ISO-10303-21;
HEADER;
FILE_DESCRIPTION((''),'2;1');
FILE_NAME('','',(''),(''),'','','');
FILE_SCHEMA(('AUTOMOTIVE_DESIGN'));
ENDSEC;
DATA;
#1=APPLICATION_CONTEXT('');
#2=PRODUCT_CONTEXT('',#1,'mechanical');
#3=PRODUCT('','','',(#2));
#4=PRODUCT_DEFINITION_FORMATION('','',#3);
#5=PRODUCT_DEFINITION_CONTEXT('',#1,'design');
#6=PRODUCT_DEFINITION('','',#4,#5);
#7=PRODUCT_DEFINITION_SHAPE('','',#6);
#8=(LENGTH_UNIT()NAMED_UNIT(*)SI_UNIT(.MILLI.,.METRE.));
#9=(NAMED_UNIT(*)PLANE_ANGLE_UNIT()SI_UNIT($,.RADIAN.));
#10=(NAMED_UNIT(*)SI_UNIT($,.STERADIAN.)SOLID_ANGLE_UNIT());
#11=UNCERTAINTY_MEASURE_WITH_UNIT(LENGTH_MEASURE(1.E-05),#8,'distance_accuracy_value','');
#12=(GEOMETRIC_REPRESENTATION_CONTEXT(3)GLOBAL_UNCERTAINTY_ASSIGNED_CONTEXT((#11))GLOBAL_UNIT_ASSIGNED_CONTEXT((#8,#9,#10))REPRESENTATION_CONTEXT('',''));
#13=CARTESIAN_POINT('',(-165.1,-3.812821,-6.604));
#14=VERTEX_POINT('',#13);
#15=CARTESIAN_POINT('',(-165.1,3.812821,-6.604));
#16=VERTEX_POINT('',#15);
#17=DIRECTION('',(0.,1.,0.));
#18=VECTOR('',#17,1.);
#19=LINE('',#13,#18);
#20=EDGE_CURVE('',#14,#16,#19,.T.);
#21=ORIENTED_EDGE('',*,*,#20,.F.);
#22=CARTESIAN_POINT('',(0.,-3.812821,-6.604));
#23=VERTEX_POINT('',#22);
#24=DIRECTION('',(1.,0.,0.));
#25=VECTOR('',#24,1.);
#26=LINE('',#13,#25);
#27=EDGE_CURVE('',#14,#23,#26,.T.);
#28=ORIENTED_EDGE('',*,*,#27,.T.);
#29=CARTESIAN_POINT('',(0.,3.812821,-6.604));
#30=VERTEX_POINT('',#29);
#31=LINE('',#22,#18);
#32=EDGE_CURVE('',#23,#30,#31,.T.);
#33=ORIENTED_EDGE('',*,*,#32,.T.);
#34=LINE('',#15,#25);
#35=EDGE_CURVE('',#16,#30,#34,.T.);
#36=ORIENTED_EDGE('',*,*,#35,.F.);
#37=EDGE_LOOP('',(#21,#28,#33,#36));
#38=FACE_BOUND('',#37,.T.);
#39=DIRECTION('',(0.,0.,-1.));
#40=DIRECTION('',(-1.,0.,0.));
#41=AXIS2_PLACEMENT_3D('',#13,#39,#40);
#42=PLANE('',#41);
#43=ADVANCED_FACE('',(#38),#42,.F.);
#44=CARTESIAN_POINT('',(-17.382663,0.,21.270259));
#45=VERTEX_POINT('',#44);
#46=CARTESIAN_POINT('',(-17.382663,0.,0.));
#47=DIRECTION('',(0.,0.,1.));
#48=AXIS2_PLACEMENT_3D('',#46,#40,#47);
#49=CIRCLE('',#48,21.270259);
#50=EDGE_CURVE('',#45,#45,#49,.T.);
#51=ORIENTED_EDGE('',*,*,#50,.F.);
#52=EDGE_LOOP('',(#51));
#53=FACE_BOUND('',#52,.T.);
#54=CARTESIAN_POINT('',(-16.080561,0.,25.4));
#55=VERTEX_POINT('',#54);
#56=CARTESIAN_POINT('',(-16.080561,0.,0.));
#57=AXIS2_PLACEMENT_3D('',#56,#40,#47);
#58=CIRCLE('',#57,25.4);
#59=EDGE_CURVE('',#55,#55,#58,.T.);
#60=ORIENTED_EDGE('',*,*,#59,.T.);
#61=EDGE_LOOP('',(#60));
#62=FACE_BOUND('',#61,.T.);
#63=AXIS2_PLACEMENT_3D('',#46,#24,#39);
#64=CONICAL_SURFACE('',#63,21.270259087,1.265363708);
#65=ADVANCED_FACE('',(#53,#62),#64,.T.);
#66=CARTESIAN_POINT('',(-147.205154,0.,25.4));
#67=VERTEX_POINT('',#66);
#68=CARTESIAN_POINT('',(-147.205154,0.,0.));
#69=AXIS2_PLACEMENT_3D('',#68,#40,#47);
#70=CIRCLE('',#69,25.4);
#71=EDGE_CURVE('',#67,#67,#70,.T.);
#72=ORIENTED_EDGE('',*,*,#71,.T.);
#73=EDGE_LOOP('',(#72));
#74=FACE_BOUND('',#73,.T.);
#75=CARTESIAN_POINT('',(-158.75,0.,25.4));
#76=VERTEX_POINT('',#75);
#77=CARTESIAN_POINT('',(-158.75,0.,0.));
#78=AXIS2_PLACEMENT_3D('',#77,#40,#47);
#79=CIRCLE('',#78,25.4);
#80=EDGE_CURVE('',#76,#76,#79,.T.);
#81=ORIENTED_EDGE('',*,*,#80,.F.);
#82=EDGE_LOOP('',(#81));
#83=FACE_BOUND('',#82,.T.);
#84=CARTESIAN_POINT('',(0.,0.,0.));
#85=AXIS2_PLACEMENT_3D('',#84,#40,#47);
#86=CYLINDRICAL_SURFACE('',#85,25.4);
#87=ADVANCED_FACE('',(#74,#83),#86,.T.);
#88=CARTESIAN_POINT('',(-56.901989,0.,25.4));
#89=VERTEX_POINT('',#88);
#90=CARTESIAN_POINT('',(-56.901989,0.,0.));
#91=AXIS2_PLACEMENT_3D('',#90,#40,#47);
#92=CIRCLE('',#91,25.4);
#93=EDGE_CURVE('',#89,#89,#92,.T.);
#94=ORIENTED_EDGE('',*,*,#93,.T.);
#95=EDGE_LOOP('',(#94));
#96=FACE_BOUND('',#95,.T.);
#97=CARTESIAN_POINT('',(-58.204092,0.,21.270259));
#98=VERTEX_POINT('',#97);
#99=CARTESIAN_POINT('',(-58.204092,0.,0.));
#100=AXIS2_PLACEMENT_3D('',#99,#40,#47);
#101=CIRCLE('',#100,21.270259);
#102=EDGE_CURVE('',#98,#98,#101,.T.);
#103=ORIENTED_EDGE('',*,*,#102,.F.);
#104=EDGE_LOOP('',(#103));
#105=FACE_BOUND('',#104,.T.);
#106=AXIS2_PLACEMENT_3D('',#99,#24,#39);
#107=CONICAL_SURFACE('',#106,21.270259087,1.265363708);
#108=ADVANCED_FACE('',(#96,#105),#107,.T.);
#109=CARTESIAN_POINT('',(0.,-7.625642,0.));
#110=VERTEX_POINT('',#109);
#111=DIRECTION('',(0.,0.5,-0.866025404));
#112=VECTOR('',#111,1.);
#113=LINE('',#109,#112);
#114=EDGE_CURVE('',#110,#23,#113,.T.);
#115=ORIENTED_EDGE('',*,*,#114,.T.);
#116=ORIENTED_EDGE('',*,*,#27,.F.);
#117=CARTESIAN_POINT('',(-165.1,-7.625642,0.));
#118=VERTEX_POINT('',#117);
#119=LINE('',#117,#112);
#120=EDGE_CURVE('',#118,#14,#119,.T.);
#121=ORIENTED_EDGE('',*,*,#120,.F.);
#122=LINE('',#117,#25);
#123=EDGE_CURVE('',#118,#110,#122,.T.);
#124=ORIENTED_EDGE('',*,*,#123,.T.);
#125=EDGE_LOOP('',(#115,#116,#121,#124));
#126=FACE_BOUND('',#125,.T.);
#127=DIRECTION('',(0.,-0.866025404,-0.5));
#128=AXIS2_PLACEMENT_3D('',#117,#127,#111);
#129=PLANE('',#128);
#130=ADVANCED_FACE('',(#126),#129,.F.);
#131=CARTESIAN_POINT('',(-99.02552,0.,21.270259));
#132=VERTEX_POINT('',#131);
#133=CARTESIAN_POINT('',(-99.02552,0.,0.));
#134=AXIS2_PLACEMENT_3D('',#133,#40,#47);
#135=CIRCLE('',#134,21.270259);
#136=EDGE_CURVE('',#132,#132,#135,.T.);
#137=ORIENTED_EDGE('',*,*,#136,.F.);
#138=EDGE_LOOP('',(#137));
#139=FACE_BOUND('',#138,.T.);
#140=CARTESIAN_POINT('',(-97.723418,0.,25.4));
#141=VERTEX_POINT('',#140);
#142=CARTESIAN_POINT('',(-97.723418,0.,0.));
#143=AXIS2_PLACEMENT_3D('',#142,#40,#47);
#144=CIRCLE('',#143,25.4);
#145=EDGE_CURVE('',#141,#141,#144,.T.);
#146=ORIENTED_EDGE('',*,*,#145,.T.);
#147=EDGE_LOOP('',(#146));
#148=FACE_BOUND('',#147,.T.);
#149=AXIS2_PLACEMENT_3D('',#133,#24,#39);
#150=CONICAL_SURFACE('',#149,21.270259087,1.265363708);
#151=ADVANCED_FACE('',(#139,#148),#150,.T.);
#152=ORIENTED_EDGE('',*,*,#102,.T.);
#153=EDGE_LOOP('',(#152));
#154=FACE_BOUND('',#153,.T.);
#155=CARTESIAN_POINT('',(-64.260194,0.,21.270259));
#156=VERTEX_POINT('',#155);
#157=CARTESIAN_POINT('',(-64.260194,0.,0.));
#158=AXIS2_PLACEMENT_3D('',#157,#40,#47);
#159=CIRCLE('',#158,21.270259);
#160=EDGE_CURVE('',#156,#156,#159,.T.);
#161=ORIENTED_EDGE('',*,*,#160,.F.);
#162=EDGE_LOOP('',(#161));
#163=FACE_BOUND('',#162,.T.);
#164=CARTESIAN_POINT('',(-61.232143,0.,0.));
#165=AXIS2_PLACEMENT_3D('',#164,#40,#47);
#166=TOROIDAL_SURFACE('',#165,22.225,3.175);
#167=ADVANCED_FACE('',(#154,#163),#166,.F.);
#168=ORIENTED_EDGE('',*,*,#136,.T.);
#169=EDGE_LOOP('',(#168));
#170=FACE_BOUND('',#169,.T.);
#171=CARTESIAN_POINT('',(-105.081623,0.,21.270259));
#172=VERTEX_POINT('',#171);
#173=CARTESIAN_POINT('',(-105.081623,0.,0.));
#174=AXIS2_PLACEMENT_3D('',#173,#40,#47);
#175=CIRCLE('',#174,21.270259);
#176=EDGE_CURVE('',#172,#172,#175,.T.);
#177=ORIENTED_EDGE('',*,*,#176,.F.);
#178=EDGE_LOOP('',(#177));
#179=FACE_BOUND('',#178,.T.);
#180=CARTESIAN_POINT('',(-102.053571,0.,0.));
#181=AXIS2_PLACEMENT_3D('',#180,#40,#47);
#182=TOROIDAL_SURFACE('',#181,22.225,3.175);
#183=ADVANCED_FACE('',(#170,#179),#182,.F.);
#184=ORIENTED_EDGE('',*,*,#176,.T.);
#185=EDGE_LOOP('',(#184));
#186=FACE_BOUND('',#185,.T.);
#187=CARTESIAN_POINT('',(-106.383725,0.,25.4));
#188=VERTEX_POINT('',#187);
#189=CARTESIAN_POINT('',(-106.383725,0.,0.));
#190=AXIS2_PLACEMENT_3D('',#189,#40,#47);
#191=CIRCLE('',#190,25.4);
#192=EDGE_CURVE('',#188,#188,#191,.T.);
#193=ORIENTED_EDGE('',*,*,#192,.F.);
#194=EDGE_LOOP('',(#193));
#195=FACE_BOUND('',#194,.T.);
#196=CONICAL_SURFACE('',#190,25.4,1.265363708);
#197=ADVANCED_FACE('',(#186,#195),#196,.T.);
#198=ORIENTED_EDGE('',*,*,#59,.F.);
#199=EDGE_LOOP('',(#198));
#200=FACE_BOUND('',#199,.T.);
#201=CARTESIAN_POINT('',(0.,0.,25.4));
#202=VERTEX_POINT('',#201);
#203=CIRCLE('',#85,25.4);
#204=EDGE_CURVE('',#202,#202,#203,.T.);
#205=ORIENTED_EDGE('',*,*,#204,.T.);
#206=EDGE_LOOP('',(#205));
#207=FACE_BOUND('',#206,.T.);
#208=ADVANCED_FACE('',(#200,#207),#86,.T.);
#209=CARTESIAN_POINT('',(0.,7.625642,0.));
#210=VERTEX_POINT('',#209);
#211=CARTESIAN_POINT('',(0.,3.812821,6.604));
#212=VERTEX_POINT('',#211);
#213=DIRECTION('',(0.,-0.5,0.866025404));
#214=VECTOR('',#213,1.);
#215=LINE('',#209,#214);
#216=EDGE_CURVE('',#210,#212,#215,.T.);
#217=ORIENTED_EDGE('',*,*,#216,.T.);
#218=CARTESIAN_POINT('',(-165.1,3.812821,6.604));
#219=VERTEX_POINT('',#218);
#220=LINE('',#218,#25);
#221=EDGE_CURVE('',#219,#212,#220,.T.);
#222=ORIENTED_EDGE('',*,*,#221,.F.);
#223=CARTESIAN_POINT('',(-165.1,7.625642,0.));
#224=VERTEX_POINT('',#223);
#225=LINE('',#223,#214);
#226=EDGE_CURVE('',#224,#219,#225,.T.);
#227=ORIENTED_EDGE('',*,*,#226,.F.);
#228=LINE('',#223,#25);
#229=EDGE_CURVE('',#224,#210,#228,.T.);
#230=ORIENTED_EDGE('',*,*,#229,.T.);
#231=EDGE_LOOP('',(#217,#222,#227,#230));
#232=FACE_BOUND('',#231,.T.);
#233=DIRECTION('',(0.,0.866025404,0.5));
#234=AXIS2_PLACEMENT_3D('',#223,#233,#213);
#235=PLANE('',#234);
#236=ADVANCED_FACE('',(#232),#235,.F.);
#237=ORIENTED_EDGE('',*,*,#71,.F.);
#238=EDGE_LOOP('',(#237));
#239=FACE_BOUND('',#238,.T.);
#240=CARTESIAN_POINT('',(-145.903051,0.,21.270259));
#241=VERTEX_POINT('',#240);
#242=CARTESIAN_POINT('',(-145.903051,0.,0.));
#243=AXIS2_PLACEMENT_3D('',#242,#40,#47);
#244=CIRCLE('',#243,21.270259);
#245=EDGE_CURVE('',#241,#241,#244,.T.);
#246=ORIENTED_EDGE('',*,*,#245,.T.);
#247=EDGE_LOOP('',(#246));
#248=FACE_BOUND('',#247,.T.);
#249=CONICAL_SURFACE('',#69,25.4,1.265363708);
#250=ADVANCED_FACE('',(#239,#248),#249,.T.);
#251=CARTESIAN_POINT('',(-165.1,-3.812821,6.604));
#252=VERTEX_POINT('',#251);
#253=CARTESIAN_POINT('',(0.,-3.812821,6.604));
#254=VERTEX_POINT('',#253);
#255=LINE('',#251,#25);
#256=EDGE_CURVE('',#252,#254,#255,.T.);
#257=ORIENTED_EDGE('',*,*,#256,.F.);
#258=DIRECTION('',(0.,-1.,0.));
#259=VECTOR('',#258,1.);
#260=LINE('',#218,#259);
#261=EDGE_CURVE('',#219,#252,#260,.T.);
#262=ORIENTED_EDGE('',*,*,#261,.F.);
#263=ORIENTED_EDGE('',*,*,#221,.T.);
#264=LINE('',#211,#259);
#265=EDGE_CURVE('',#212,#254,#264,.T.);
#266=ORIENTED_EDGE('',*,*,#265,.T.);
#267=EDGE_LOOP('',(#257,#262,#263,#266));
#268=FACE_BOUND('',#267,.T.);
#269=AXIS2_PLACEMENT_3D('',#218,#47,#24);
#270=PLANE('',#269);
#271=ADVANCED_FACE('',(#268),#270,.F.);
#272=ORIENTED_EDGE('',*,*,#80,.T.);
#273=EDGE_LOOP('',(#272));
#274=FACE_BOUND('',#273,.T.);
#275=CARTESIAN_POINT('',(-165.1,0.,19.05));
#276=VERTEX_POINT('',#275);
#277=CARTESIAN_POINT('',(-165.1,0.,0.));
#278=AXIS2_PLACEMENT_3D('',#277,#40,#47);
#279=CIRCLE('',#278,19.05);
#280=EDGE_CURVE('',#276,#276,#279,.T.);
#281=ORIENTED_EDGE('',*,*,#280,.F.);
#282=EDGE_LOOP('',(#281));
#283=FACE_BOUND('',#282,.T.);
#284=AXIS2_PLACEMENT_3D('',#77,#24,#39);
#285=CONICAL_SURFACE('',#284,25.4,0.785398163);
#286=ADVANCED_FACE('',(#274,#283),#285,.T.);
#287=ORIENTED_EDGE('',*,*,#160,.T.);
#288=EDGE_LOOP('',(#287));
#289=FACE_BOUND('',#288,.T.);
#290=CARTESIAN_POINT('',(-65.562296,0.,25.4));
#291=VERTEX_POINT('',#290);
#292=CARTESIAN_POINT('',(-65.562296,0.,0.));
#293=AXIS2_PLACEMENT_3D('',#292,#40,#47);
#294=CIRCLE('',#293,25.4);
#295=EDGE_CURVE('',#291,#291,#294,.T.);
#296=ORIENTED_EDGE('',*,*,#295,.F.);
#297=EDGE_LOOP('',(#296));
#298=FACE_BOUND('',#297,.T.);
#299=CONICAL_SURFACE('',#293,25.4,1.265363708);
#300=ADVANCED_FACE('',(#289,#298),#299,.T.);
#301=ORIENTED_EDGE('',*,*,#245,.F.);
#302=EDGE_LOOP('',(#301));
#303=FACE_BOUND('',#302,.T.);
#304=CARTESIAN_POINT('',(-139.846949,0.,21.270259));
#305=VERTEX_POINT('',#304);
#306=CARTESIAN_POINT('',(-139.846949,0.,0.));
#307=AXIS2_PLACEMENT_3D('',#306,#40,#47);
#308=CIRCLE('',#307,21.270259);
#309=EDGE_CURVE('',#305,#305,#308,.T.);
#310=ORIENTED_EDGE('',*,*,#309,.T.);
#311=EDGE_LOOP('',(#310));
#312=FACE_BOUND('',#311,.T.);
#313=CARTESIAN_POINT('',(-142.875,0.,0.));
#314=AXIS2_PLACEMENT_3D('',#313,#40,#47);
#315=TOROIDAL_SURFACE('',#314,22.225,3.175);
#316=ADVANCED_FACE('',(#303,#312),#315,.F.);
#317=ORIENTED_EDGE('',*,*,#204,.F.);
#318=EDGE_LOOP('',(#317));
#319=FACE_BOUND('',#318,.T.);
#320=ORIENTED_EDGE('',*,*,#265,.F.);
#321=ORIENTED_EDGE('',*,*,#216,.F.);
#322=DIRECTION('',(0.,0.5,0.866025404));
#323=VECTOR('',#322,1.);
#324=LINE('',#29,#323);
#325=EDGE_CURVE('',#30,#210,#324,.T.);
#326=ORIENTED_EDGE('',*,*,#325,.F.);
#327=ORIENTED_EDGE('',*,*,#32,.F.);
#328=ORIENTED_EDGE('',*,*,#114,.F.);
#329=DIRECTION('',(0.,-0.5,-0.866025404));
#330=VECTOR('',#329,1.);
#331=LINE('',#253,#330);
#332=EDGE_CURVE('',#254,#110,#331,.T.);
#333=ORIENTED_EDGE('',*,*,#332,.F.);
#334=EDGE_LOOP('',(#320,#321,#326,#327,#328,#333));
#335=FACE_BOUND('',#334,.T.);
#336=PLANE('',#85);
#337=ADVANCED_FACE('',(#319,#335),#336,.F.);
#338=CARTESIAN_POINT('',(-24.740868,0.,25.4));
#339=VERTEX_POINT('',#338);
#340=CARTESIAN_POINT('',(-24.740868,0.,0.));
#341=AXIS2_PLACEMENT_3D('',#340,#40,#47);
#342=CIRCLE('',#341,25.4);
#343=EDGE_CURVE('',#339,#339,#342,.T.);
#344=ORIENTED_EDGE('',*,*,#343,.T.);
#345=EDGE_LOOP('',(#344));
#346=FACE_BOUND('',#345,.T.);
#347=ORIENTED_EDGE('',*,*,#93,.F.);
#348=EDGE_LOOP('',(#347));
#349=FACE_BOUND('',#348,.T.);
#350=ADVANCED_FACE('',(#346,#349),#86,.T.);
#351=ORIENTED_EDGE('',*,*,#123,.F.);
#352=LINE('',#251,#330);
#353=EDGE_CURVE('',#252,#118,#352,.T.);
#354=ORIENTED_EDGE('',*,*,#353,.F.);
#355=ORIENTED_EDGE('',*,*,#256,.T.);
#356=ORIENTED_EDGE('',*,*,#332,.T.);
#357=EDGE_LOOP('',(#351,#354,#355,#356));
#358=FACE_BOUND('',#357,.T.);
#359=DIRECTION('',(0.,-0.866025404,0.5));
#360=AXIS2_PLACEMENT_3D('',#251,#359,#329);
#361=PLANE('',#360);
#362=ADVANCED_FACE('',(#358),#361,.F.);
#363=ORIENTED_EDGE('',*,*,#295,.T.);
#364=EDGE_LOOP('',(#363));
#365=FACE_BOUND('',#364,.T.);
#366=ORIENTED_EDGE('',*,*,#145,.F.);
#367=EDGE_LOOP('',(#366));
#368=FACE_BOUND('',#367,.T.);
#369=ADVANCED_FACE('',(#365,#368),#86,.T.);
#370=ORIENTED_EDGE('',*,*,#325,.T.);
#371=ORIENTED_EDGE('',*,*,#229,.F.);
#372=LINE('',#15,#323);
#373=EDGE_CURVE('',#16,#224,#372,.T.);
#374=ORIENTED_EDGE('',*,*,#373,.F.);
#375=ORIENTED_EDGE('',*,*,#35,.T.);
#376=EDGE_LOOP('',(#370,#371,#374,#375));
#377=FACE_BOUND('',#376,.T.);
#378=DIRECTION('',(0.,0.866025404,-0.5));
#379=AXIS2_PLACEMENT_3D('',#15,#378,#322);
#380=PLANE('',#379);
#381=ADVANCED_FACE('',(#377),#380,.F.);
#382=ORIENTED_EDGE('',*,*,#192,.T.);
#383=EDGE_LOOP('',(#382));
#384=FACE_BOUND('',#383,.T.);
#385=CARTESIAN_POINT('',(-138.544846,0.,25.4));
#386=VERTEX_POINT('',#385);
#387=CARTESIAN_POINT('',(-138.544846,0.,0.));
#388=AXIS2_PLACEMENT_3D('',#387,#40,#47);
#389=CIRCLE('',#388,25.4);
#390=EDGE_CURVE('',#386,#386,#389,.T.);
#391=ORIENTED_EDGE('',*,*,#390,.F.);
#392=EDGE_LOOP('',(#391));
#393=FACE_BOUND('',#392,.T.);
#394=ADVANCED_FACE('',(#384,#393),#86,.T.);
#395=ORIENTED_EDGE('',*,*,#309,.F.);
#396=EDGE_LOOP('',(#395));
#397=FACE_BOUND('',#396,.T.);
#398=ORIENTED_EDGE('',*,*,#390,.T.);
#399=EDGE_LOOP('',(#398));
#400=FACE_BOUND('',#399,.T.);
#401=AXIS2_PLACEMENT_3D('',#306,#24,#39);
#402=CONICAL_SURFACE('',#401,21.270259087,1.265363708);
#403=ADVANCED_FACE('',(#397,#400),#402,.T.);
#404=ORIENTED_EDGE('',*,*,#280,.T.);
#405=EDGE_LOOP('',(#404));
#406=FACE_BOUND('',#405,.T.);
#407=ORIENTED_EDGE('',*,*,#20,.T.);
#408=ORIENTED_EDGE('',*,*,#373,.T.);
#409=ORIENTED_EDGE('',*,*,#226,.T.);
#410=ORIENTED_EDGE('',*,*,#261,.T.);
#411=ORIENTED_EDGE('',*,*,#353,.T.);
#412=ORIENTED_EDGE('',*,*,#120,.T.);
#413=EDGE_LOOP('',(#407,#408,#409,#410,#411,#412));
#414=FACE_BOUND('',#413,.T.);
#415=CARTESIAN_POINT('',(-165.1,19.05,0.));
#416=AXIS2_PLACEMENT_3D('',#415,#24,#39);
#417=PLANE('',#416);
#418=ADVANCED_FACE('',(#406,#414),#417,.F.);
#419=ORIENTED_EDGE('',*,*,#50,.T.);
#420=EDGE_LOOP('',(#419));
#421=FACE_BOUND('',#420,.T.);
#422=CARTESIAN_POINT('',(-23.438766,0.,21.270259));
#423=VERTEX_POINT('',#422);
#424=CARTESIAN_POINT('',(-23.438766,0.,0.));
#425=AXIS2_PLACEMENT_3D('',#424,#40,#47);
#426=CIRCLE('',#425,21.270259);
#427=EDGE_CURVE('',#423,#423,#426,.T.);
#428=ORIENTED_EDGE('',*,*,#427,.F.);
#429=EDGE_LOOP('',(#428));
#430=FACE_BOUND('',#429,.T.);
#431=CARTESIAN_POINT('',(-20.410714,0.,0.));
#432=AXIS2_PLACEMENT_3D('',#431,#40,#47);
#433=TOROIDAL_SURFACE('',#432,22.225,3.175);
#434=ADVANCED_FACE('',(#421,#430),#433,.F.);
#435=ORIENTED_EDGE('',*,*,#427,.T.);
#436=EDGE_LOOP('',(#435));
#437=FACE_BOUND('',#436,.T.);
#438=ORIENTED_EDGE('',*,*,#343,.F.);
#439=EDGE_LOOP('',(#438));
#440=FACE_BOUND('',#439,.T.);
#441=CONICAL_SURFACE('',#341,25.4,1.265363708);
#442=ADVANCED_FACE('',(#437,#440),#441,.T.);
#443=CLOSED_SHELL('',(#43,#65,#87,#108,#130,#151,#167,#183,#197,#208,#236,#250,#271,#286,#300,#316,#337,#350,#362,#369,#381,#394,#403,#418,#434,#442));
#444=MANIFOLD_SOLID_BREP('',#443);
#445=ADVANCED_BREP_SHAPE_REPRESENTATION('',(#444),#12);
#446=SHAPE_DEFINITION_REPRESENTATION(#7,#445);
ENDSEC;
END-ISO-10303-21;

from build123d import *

# Parameters (mm, degrees)
CUT_EXTRUDE1_DEPTH = 166.1


with BuildPart() as part:
    # Sketch1 → Revolve1 (revolve)
    with BuildSketch(Plane.XY):
        Polygon((0, 0), (0, 25.4), (-158.75, 25.4), (-165.1, 19.05), (-165.1, 0), align=None)
    revolve(axis=Axis((0, 0, 0), (1, 0, 0)))

    # Sketch2 → Cut-Revolve1 (revolve, cut)
    with BuildSketch(Plane.XY):
        with BuildLine():
            Line((-16.080560659, 25.4), (-17.382662967, 21.270259087))
            ThreePointArc((-17.382662967, 21.270259087), (-20.410714286, 19.05), (-23.438765604, 21.270259087))
            Line((-23.438765604, 21.270259087), (-24.740867913, 25.4))
            Line((-24.740867913, 25.4), (-16.080560659, 25.4))
        make_face()
        with BuildLine():
            Line((-56.90198923, 25.4), (-58.204091539, 21.270259087))
            ThreePointArc((-58.204091539, 21.270259087), (-61.232142857, 19.05), (-64.260194176, 21.270259087))
            Line((-64.260194176, 21.270259087), (-65.562296484, 25.4))
            Line((-65.562296484, 25.4), (-56.90198923, 25.4))
        make_face()
        with BuildLine():
            Line((-97.723417802, 25.4), (-99.02552011, 21.270259087))
            ThreePointArc((-99.02552011, 21.270259087), (-102.053571429, 19.05), (-105.081622747, 21.270259087))
            Line((-105.081622747, 21.270259087), (-106.383725056, 25.4))
            Line((-106.383725056, 25.4), (-97.723417802, 25.4))
        make_face()
        with BuildLine():
            Line((-138.544846373, 25.4), (-139.846948681, 21.270259087))
            ThreePointArc((-139.846948681, 21.270259087), (-142.875, 19.05), (-145.903051319, 21.270259087))
            Line((-145.903051319, 21.270259087), (-147.205153627, 25.4))
            Line((-147.205153627, 25.4), (-138.544846373, 25.4))
        make_face()
    revolve(axis=Axis((0, 0, 0), (1, 0, 0)), mode=Mode.SUBTRACT)

    # Sketch3 → Cut-Extrude1 (cut, through all)
    with BuildSketch(Plane(origin=(0, 0, 0), x_dir=(0, 0, -1), z_dir=(1, 0, 0))):
        Polygon((0, 7.625642355), (-6.604, 3.812821178), (-6.604, -3.812821178), (0, -7.625642355), (6.604, -3.812821178), (6.604, 3.812821178), align=None)
    extrude(amount=-CUT_EXTRUDE1_DEPTH, mode=Mode.SUBTRACT)


solid = part.part
